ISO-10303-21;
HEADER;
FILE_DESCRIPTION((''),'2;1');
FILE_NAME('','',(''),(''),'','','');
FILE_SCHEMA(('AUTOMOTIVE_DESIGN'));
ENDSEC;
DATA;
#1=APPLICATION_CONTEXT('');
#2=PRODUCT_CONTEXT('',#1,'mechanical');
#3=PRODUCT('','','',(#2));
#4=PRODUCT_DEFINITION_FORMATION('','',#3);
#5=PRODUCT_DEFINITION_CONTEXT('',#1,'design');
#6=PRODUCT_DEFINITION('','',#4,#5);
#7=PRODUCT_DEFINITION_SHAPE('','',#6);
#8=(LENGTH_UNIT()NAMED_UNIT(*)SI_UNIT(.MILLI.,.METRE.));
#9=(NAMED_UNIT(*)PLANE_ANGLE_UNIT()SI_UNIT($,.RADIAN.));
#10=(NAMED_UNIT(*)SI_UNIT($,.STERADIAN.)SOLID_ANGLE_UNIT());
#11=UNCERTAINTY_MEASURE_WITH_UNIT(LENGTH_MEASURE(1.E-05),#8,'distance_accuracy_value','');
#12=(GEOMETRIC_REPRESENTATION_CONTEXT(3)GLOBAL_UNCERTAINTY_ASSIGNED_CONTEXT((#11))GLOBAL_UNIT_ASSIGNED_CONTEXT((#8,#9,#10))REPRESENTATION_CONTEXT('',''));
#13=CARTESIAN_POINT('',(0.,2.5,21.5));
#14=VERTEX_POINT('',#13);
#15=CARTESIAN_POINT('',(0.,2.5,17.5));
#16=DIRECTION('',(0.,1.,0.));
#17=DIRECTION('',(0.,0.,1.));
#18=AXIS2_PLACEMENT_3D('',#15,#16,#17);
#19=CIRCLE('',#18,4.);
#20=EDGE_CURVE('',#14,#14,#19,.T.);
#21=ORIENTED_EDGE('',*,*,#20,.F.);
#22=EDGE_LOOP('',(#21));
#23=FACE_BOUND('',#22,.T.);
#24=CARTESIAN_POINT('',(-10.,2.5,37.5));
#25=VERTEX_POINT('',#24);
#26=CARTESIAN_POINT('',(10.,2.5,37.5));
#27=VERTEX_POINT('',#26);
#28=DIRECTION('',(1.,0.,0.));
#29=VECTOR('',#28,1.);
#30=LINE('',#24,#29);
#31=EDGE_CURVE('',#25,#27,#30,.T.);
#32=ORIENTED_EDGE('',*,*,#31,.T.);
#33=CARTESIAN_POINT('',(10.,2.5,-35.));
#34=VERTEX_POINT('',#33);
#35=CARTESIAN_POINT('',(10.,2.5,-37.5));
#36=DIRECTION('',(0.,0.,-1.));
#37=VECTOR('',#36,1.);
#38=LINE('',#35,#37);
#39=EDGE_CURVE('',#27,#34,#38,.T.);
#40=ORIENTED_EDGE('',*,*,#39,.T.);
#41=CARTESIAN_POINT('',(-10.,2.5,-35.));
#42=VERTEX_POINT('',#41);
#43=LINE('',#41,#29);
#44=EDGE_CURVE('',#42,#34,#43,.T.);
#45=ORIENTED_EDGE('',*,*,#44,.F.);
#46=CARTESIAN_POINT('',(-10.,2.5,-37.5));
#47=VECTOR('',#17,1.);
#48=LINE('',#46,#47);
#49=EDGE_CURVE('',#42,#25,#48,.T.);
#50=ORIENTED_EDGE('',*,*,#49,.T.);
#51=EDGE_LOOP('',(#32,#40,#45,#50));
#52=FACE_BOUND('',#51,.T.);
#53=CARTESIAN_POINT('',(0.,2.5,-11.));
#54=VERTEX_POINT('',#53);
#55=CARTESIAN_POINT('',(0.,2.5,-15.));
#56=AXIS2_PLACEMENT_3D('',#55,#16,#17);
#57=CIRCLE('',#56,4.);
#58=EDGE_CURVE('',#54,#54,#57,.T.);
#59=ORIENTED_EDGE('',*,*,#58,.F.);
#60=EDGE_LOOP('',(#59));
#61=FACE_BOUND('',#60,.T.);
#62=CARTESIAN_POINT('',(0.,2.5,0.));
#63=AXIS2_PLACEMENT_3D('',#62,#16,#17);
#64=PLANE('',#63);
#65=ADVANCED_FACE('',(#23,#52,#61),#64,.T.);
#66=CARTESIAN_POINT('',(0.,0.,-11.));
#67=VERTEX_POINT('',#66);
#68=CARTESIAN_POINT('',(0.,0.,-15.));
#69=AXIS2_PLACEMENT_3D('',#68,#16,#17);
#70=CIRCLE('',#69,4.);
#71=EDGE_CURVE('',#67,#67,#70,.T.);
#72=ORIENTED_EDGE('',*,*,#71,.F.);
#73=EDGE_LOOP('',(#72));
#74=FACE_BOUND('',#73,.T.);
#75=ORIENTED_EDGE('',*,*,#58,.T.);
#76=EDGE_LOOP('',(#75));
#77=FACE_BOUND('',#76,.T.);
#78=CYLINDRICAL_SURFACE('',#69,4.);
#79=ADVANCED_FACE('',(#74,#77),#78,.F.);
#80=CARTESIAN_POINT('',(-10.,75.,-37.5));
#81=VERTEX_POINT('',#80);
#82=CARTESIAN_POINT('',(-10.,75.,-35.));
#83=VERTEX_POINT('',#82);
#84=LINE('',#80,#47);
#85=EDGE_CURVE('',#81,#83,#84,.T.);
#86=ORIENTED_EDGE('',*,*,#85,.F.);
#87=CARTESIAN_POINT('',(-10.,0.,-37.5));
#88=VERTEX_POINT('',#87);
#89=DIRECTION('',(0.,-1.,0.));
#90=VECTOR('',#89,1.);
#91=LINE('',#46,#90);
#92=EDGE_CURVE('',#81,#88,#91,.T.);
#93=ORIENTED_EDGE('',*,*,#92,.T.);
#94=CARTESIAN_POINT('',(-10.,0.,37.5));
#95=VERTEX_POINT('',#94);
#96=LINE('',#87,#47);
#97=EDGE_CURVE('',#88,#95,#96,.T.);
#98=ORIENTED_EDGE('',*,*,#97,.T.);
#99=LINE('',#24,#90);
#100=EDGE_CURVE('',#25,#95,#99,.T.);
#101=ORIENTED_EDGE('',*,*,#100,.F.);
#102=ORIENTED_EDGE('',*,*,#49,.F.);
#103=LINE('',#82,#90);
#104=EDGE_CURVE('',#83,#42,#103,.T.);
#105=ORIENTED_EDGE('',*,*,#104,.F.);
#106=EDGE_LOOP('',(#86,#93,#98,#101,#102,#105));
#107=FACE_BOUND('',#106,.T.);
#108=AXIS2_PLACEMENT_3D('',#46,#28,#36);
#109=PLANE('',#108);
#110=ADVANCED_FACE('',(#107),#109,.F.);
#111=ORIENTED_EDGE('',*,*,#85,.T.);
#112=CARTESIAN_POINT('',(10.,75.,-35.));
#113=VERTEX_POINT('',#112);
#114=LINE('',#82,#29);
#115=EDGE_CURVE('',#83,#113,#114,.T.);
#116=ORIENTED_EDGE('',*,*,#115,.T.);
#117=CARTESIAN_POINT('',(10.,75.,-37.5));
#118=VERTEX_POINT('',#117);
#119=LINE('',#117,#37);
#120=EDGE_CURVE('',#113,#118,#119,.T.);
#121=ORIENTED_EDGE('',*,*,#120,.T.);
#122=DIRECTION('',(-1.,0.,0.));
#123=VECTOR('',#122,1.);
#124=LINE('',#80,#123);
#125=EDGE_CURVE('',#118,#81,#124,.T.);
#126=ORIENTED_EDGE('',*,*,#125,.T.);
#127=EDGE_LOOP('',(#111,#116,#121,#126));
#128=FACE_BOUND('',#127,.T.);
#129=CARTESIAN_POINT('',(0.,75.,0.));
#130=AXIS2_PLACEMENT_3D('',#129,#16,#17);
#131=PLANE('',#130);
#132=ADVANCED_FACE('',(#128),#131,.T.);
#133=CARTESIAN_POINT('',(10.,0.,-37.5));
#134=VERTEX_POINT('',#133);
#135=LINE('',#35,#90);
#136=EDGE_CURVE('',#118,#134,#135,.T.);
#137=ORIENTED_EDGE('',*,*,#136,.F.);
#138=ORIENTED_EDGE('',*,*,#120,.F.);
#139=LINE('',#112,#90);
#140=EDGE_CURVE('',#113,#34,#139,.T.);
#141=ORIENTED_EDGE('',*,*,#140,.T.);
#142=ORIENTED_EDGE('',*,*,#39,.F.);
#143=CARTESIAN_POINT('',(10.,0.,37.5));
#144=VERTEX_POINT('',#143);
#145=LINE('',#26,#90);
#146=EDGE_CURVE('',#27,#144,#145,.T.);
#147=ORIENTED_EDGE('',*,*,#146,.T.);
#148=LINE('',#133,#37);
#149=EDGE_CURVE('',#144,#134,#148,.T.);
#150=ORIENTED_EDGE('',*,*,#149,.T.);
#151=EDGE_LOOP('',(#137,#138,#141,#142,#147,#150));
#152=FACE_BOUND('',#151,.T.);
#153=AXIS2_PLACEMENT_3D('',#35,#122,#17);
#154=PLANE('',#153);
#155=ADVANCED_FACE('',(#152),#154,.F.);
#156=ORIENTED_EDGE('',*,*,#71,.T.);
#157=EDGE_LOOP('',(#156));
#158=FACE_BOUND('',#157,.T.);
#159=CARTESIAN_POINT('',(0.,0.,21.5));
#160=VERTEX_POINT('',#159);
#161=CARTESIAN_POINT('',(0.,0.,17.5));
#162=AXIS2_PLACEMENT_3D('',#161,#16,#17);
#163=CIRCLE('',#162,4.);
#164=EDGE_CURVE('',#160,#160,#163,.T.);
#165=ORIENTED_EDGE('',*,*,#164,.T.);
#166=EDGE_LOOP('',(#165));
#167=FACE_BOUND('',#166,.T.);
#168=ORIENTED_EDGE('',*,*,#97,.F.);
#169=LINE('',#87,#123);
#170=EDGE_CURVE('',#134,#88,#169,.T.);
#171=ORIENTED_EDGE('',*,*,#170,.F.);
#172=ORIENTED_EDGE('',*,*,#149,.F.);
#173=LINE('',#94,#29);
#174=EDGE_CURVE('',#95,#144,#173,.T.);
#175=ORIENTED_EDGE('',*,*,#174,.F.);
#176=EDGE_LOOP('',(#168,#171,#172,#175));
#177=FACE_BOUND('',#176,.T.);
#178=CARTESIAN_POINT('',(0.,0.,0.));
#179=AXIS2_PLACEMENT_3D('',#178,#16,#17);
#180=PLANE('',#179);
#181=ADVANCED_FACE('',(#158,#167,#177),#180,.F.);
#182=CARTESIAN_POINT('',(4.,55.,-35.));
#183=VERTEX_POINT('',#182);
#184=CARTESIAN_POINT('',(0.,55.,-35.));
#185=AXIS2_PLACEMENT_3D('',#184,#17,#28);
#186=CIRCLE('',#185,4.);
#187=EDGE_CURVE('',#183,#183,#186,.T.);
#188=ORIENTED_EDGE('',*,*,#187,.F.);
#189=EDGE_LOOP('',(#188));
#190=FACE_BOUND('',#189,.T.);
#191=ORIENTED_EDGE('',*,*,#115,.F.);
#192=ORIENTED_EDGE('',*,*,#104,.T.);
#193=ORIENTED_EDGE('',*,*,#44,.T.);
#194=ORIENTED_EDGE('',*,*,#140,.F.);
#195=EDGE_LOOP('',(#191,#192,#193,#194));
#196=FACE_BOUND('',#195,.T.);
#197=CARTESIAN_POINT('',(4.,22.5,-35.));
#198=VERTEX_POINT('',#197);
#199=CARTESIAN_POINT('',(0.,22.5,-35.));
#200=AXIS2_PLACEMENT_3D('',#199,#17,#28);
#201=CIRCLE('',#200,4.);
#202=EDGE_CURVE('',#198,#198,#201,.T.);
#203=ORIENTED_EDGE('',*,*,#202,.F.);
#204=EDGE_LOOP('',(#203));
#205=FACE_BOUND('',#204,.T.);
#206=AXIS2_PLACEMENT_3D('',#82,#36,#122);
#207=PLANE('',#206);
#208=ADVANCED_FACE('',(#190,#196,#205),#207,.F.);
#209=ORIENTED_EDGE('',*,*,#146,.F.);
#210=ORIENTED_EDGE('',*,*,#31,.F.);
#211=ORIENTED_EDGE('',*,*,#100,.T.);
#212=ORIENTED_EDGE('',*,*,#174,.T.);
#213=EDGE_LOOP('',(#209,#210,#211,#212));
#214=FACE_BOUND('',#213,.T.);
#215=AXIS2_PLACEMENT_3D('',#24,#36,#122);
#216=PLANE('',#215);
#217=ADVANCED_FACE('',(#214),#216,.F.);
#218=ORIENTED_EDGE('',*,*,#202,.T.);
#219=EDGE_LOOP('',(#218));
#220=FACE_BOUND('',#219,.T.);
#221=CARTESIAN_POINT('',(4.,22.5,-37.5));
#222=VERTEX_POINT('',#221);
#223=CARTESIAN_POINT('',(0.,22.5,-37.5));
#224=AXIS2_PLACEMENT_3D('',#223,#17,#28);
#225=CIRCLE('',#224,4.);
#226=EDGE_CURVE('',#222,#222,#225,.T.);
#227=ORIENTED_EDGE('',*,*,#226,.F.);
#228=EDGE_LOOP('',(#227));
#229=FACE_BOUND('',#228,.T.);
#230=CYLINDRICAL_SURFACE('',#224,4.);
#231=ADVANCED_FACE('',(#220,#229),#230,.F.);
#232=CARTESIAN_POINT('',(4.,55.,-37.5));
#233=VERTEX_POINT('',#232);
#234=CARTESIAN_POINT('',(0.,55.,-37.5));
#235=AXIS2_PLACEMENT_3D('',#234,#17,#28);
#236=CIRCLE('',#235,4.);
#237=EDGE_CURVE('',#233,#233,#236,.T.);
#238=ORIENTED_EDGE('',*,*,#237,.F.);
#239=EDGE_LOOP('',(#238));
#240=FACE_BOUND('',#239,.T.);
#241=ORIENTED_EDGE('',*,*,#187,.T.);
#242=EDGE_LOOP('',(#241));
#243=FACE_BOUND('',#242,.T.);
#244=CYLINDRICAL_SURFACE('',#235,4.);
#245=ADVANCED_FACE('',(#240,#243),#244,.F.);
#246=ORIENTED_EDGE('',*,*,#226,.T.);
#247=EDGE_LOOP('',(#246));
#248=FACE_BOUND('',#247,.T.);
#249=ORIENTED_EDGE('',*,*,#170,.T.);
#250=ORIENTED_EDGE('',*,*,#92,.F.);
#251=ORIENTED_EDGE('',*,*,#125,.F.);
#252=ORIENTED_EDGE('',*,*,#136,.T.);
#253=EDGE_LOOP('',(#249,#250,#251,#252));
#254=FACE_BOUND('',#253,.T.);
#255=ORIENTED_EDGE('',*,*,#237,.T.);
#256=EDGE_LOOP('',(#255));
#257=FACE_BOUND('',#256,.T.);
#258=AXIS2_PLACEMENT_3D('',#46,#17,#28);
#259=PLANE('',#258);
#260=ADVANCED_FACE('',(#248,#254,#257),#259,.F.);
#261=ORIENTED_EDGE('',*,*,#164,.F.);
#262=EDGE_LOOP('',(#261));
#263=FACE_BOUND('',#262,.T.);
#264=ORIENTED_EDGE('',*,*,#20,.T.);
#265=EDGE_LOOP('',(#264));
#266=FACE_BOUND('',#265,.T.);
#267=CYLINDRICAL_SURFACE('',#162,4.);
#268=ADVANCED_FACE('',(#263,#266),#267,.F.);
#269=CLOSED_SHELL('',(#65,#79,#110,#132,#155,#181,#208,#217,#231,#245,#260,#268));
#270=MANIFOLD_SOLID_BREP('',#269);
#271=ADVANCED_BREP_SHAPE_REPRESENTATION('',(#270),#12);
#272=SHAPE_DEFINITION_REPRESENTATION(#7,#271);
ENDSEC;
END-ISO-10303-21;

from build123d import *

# Parameters (mm, degrees)
SKETCH1_W           = 20
SKETCH1_H           = 75
BOSS_EXTRUDE1_DEPTH = 2.5
SKETCH2_W           = 20
SKETCH2_H           = 2.5
BOSS_EXTRUDE2_DEPTH = 72.5
SKETCH3_R           = 4
CUT_EXTRUDE1_DEPTH  = 2.5
SKETCH4_R           = 4
CUT_EXTRUDE2_DEPTH  = 2.5


with BuildPart() as part:
    # Sketch1 → Boss-Extrude1 (new body)
    with BuildSketch(Plane(origin=(0, 0, 0), x_dir=(1, 0, 0), z_dir=(0, 1, 0))):
        Rectangle(SKETCH1_W, SKETCH1_H)
    extrude(amount=BOSS_EXTRUDE1_DEPTH)

    # Sketch2 → Boss-Extrude2 (add)
    with BuildSketch(Plane(origin=(0, 2.5, 0), x_dir=(1, 0, 0), z_dir=(0, 1, 0))):
        with Locations((0, 36.25)):
            Rectangle(SKETCH2_W, SKETCH2_H)
    extrude(amount=BOSS_EXTRUDE2_DEPTH)

    # Sketch3 → Cut-Extrude1 (cut)
    with BuildSketch(Plane(origin=(0, 2.5, 0), x_dir=(1, 0, 0), z_dir=(0, 1, 0))):
        with Locations((0, 15)):
            Circle(SKETCH3_R)
        with Locations((0, -17.5)):
            Circle(SKETCH3_R)
    extrude(amount=-CUT_EXTRUDE1_DEPTH, mode=Mode.SUBTRACT)

    # Sketch4 → Cut-Extrude2 (cut)
    with BuildSketch(Plane.XY.offset(-35)):
        with Locations((0, 55)):
            Circle(SKETCH4_R)
        with Locations((0, 22.5)):
            Circle(SKETCH4_R)
    extrude(amount=-CUT_EXTRUDE2_DEPTH, mode=Mode.SUBTRACT)


solid = part.part
